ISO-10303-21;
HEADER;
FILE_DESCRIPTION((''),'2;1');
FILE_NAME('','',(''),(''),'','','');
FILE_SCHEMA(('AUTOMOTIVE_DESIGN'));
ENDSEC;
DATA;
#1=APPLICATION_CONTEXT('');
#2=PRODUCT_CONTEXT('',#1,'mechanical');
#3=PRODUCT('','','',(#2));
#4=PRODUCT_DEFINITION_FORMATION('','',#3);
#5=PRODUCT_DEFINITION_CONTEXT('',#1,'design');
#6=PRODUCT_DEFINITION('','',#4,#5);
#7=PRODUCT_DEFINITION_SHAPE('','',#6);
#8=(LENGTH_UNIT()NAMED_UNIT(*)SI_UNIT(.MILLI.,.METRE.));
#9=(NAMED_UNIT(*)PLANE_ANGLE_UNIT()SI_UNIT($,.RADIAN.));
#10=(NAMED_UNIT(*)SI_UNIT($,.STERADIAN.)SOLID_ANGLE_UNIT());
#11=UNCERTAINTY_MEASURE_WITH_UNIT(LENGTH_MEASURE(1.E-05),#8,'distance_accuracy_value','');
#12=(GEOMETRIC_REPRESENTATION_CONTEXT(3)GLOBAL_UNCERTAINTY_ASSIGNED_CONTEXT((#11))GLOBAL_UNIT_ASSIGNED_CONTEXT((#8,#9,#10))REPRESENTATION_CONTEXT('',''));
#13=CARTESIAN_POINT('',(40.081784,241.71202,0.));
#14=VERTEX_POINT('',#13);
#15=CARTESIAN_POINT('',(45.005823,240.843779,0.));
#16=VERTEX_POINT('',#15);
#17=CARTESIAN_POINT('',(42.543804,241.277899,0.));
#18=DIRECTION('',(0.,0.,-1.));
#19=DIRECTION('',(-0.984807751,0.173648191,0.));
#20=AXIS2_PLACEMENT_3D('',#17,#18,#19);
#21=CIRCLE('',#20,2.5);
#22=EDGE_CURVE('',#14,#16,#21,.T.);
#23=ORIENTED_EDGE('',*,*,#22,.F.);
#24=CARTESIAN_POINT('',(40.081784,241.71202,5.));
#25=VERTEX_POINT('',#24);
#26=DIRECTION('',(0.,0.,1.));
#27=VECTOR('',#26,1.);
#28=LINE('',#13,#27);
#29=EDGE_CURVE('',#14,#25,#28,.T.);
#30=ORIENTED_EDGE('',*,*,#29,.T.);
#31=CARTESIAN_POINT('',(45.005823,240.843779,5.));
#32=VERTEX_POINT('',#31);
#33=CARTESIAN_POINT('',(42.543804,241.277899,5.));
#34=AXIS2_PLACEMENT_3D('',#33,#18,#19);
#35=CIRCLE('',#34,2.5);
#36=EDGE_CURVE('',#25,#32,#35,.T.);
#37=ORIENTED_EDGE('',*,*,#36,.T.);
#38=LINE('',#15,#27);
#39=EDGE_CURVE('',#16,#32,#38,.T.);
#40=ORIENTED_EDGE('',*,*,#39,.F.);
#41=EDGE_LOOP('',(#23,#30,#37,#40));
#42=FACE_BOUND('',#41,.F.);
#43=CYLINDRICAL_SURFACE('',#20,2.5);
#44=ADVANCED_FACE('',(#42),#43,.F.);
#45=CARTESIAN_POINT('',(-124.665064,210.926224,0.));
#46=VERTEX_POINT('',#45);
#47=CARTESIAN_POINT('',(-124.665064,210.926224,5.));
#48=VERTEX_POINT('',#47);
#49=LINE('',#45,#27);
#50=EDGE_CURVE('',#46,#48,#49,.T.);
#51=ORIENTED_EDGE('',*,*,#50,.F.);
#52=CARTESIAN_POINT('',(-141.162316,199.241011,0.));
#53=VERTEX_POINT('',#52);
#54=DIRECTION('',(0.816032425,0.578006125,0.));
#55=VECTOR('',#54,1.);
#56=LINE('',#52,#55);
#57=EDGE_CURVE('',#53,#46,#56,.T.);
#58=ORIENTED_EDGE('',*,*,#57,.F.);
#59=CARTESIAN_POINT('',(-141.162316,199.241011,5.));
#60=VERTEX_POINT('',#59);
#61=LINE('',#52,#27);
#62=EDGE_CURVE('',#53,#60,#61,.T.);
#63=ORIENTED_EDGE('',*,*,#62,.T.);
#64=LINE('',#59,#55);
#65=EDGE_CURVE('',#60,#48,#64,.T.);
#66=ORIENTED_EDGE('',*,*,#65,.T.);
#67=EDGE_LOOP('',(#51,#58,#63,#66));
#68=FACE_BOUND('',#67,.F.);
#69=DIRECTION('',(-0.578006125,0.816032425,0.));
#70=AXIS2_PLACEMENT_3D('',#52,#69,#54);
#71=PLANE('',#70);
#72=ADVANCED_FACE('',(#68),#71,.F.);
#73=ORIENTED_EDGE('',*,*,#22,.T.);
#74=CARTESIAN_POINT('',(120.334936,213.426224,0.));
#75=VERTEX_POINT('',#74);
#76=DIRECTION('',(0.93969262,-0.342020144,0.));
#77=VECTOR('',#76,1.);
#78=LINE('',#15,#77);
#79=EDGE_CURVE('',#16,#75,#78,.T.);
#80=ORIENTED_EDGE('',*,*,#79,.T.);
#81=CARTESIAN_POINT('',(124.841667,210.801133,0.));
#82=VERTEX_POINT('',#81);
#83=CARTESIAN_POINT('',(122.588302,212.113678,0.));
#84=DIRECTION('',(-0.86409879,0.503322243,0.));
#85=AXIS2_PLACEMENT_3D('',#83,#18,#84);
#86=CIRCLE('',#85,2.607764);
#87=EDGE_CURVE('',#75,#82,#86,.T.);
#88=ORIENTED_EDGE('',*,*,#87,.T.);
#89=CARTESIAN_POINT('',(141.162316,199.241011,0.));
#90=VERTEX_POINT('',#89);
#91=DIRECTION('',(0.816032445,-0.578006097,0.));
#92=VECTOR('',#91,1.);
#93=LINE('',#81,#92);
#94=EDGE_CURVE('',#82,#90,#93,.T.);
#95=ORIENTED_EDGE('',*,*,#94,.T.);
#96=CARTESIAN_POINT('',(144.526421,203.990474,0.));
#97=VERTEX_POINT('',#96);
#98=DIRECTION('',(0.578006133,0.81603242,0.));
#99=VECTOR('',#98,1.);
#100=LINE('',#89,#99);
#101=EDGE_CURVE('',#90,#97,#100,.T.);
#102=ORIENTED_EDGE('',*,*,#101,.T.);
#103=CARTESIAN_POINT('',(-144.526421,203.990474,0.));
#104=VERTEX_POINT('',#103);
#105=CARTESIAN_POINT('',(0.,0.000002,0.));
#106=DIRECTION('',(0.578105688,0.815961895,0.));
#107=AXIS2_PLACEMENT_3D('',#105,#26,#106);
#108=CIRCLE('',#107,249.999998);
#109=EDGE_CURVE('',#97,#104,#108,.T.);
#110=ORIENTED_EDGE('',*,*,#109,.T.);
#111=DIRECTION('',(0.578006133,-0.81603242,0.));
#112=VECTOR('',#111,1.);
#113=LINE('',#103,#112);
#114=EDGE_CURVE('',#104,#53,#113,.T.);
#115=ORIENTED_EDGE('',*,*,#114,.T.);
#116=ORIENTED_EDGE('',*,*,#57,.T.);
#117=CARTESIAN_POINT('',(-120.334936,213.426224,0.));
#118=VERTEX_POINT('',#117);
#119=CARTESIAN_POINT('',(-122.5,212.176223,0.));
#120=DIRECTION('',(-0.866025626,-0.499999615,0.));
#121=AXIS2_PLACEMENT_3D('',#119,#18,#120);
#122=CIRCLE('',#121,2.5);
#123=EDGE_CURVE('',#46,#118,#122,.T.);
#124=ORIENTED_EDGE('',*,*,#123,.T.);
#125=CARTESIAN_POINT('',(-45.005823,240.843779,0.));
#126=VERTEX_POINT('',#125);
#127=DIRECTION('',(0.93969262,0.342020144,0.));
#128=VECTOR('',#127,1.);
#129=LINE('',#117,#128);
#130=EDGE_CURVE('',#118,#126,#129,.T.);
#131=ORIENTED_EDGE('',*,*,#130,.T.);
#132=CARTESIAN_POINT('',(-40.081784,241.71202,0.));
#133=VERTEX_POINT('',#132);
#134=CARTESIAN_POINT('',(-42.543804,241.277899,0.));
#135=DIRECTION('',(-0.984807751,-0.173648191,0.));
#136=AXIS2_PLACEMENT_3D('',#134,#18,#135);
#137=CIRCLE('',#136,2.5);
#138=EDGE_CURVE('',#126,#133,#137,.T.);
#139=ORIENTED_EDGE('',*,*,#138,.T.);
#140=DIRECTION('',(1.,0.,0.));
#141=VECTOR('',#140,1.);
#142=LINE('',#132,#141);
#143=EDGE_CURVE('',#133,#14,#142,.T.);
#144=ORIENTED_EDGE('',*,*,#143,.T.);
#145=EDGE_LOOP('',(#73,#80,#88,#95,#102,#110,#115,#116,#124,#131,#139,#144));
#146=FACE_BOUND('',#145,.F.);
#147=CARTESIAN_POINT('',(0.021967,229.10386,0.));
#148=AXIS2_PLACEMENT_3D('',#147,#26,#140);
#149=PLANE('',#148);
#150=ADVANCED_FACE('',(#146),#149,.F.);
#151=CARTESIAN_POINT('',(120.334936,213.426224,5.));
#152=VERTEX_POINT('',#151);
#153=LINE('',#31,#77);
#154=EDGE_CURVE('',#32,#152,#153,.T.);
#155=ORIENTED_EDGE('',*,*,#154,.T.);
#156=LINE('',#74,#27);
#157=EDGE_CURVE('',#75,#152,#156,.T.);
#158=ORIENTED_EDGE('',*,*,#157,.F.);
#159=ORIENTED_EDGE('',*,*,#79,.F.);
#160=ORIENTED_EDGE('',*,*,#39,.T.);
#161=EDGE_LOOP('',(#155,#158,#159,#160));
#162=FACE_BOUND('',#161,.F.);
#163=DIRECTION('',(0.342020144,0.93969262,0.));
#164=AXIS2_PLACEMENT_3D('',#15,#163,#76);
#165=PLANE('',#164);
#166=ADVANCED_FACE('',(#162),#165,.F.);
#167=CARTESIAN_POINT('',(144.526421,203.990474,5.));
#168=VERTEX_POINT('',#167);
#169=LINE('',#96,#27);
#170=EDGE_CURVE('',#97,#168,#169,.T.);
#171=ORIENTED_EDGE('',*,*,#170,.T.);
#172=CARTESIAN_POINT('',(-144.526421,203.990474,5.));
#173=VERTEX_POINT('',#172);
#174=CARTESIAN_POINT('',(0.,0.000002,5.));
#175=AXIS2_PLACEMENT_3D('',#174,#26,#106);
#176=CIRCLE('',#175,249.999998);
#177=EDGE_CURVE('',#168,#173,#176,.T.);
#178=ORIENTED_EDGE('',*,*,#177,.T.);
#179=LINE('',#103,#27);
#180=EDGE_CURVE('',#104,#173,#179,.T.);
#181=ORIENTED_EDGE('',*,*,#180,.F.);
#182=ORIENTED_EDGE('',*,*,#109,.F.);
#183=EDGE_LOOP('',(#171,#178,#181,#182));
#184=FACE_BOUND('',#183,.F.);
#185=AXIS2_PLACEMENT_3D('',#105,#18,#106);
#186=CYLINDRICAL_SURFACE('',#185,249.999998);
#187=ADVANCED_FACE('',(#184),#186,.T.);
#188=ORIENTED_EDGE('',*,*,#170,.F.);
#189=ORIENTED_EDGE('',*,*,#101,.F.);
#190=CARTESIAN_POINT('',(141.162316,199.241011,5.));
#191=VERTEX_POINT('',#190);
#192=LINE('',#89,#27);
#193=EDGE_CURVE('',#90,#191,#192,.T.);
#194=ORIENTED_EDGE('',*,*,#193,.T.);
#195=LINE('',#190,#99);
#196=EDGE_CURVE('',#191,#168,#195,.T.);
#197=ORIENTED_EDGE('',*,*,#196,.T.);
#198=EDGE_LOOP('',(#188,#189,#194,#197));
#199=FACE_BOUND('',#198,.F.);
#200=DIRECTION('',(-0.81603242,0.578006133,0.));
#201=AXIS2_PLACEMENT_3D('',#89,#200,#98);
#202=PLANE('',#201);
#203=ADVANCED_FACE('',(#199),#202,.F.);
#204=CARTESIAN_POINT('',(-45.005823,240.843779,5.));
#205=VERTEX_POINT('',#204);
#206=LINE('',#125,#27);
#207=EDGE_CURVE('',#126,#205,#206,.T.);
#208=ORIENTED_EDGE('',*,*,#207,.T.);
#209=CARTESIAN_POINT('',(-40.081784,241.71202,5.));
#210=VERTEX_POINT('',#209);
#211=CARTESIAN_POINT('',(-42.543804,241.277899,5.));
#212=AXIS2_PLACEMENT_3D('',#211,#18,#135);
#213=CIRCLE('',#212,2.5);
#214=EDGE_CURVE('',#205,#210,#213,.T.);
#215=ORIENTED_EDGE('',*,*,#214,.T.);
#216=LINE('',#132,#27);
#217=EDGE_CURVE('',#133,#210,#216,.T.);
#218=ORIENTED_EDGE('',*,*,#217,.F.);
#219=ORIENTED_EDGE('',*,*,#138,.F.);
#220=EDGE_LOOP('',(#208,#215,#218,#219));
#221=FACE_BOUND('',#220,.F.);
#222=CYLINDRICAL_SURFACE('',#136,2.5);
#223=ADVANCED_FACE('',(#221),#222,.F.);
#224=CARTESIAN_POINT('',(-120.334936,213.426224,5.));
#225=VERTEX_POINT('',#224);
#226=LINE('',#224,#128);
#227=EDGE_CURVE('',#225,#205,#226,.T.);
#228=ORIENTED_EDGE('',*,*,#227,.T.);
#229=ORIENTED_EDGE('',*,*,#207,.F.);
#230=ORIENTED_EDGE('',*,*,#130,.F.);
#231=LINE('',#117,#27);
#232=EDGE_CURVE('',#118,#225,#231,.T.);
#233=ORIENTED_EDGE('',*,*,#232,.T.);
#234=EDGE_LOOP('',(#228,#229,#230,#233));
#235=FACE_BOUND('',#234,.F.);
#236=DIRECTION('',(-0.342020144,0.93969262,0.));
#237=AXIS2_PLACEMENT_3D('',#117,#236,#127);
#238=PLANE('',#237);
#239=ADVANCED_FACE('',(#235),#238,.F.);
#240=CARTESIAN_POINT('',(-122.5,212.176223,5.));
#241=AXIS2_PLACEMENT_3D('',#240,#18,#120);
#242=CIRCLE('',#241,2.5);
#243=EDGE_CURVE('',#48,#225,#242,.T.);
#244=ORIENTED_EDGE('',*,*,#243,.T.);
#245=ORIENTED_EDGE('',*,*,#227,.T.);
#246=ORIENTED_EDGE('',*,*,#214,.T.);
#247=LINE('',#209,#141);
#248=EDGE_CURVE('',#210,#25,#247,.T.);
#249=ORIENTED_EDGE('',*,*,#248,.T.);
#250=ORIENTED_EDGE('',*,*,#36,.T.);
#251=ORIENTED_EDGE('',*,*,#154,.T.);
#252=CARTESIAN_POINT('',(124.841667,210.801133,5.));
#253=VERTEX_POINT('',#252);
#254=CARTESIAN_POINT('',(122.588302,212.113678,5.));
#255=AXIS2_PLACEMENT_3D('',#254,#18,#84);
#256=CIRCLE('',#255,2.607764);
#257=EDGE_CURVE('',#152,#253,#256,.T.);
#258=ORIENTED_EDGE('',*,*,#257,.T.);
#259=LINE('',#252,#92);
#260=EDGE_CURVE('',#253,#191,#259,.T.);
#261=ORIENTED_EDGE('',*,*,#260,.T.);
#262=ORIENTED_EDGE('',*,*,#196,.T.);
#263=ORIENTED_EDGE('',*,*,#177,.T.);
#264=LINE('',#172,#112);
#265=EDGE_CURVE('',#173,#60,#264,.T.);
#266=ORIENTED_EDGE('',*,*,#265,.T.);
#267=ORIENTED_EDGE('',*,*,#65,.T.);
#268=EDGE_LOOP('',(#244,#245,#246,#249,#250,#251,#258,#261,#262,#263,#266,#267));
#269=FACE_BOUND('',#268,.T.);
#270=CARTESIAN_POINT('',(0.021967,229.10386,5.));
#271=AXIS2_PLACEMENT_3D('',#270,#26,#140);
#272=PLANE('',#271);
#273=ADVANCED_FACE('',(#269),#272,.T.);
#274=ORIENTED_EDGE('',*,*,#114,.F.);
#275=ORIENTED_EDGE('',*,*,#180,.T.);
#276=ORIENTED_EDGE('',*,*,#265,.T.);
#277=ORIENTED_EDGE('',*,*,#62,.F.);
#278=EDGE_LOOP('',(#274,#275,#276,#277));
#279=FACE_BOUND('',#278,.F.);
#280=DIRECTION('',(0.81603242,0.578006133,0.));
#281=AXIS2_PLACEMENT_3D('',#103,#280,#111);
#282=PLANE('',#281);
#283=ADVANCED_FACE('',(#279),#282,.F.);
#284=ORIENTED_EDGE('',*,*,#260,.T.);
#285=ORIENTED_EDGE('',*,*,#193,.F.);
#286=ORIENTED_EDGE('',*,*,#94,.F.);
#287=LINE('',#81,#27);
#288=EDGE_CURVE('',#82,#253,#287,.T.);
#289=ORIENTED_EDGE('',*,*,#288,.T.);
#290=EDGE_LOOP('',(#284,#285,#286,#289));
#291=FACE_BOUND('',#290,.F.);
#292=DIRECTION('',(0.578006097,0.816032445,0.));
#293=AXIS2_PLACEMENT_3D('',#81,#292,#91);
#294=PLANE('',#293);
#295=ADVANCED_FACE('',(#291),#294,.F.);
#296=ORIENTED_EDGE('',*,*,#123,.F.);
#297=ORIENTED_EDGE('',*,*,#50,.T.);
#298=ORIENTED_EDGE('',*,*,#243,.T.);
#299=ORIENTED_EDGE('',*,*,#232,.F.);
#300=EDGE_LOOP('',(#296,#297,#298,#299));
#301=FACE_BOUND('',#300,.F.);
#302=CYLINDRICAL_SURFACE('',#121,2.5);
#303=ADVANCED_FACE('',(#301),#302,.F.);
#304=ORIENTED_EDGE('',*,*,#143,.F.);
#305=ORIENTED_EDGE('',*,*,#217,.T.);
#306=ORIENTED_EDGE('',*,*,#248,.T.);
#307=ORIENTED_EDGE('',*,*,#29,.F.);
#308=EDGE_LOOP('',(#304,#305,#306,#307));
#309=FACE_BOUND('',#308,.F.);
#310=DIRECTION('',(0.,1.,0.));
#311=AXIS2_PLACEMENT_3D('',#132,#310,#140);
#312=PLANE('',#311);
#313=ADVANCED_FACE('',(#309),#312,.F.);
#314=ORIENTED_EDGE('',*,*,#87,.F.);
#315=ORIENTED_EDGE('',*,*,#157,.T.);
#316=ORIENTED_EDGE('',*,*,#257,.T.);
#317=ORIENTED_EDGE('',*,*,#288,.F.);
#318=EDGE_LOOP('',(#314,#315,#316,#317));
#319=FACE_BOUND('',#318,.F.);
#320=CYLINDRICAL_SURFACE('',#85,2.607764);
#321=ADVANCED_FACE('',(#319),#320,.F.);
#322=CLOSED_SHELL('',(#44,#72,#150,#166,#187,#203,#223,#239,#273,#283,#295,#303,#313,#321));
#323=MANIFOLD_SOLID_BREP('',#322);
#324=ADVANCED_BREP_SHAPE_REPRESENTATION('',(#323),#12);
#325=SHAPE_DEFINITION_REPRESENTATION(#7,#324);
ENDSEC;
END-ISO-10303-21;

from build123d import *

# Parameters (mm, degrees)
F1_DEPTH = 5


with BuildPart() as f1:
    # F0 (on Top) → F1 (new body)
    with BuildSketch(Plane.XY):
        with BuildLine():
            Line((-144.526421, 203.990474), (-141.162316, 199.241011))
            Line((-141.162316, 199.241011), (-124.665064, 210.926224))
            ThreePointArc((-124.665064, 210.926224), (-123.75, 214.341287), (-120.334936, 213.426224))
            Line((-120.334936, 213.426224), (-45.005823, 240.843779))
            ThreePointArc((-45.005823, 240.843779), (-42.977924, 243.739919), (-40.081784, 241.71202))
            Line((-40.081784, 241.71202), (40.081784, 241.71202))
            ThreePointArc((40.081784, 241.71202), (42.977924, 243.739919), (45.005823, 240.843779))
            Line((45.005823, 240.843779), (120.334936, 213.426224))
            ThreePointArc((120.334936, 213.426224), (123.900847, 214.367044), (124.841667, 210.801133))
            Line((124.841667, 210.801133), (141.162316, 199.241011))
            Line((141.162316, 199.241011), (144.526421, 203.990474))
            ThreePointArc((144.526421, 203.990474), (0, 250), (-144.526421, 203.990474))
        make_face()
    extrude(amount=F1_DEPTH)


solid = f1.part
